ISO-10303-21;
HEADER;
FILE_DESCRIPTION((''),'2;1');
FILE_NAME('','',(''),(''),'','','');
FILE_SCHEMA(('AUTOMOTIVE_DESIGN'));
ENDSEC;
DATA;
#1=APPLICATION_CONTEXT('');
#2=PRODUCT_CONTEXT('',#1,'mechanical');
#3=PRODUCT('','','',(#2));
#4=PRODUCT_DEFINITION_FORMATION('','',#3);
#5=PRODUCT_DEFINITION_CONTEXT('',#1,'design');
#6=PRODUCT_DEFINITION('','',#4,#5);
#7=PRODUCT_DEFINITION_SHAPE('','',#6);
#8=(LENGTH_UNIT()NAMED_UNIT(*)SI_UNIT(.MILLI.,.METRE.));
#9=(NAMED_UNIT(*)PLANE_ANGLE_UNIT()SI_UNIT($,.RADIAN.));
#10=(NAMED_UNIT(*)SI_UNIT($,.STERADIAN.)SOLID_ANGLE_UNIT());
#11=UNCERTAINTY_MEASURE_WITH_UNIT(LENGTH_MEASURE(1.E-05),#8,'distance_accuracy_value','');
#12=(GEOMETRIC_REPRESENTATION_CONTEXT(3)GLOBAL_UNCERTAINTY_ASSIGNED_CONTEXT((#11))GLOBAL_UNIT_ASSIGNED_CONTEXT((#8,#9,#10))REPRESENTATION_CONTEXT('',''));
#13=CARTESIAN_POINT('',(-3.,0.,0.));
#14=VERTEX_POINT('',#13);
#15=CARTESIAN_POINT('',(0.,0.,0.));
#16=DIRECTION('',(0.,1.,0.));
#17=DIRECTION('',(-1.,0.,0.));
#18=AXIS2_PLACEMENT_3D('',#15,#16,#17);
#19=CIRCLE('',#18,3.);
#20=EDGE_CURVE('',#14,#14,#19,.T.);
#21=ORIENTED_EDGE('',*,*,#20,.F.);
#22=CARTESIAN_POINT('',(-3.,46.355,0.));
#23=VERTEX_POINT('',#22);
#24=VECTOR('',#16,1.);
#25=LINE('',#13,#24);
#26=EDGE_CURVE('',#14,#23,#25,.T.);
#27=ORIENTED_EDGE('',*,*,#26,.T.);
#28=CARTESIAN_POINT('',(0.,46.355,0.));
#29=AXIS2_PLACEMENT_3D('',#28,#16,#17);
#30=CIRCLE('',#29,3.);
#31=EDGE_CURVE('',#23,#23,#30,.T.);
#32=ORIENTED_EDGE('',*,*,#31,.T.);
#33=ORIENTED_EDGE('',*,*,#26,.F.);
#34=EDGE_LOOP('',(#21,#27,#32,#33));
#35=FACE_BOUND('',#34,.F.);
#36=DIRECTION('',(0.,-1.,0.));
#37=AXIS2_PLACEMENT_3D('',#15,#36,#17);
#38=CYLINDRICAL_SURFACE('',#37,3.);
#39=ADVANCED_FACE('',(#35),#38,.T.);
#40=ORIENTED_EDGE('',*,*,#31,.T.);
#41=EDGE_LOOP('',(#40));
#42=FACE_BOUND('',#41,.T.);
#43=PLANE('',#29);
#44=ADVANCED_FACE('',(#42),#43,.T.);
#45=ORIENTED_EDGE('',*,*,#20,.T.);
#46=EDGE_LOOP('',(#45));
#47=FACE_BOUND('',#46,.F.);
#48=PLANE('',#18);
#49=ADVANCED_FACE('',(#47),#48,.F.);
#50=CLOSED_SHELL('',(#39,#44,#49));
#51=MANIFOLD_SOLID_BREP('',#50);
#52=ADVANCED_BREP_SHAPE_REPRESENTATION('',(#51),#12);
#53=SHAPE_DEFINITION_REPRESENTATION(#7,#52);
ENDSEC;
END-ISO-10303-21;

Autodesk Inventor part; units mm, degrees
ref_plane "YZ Plane" through (0, 0, 0) normal (1, 0, 0) x (0, 1, 0)
ref_plane "XZ Plane" through (0, 0, 0) normal (0, 1, 0) x (-1, 0, 0)
ref_plane "XY Plane" through (0, 0, 0) normal (0, 0, 1) x (1, 0, 0)
sketch "Sketch1" plane through (0, 0, 0) normal (0, 1, 0) x (-1, 0, 0)
  circle A0 centre (0, 0) radius 3
  dimension "d0" = 6
extrude "Extrusion1" add sketch "Sketch1" along normal blind 46.355
properties part number "6mm axil"
